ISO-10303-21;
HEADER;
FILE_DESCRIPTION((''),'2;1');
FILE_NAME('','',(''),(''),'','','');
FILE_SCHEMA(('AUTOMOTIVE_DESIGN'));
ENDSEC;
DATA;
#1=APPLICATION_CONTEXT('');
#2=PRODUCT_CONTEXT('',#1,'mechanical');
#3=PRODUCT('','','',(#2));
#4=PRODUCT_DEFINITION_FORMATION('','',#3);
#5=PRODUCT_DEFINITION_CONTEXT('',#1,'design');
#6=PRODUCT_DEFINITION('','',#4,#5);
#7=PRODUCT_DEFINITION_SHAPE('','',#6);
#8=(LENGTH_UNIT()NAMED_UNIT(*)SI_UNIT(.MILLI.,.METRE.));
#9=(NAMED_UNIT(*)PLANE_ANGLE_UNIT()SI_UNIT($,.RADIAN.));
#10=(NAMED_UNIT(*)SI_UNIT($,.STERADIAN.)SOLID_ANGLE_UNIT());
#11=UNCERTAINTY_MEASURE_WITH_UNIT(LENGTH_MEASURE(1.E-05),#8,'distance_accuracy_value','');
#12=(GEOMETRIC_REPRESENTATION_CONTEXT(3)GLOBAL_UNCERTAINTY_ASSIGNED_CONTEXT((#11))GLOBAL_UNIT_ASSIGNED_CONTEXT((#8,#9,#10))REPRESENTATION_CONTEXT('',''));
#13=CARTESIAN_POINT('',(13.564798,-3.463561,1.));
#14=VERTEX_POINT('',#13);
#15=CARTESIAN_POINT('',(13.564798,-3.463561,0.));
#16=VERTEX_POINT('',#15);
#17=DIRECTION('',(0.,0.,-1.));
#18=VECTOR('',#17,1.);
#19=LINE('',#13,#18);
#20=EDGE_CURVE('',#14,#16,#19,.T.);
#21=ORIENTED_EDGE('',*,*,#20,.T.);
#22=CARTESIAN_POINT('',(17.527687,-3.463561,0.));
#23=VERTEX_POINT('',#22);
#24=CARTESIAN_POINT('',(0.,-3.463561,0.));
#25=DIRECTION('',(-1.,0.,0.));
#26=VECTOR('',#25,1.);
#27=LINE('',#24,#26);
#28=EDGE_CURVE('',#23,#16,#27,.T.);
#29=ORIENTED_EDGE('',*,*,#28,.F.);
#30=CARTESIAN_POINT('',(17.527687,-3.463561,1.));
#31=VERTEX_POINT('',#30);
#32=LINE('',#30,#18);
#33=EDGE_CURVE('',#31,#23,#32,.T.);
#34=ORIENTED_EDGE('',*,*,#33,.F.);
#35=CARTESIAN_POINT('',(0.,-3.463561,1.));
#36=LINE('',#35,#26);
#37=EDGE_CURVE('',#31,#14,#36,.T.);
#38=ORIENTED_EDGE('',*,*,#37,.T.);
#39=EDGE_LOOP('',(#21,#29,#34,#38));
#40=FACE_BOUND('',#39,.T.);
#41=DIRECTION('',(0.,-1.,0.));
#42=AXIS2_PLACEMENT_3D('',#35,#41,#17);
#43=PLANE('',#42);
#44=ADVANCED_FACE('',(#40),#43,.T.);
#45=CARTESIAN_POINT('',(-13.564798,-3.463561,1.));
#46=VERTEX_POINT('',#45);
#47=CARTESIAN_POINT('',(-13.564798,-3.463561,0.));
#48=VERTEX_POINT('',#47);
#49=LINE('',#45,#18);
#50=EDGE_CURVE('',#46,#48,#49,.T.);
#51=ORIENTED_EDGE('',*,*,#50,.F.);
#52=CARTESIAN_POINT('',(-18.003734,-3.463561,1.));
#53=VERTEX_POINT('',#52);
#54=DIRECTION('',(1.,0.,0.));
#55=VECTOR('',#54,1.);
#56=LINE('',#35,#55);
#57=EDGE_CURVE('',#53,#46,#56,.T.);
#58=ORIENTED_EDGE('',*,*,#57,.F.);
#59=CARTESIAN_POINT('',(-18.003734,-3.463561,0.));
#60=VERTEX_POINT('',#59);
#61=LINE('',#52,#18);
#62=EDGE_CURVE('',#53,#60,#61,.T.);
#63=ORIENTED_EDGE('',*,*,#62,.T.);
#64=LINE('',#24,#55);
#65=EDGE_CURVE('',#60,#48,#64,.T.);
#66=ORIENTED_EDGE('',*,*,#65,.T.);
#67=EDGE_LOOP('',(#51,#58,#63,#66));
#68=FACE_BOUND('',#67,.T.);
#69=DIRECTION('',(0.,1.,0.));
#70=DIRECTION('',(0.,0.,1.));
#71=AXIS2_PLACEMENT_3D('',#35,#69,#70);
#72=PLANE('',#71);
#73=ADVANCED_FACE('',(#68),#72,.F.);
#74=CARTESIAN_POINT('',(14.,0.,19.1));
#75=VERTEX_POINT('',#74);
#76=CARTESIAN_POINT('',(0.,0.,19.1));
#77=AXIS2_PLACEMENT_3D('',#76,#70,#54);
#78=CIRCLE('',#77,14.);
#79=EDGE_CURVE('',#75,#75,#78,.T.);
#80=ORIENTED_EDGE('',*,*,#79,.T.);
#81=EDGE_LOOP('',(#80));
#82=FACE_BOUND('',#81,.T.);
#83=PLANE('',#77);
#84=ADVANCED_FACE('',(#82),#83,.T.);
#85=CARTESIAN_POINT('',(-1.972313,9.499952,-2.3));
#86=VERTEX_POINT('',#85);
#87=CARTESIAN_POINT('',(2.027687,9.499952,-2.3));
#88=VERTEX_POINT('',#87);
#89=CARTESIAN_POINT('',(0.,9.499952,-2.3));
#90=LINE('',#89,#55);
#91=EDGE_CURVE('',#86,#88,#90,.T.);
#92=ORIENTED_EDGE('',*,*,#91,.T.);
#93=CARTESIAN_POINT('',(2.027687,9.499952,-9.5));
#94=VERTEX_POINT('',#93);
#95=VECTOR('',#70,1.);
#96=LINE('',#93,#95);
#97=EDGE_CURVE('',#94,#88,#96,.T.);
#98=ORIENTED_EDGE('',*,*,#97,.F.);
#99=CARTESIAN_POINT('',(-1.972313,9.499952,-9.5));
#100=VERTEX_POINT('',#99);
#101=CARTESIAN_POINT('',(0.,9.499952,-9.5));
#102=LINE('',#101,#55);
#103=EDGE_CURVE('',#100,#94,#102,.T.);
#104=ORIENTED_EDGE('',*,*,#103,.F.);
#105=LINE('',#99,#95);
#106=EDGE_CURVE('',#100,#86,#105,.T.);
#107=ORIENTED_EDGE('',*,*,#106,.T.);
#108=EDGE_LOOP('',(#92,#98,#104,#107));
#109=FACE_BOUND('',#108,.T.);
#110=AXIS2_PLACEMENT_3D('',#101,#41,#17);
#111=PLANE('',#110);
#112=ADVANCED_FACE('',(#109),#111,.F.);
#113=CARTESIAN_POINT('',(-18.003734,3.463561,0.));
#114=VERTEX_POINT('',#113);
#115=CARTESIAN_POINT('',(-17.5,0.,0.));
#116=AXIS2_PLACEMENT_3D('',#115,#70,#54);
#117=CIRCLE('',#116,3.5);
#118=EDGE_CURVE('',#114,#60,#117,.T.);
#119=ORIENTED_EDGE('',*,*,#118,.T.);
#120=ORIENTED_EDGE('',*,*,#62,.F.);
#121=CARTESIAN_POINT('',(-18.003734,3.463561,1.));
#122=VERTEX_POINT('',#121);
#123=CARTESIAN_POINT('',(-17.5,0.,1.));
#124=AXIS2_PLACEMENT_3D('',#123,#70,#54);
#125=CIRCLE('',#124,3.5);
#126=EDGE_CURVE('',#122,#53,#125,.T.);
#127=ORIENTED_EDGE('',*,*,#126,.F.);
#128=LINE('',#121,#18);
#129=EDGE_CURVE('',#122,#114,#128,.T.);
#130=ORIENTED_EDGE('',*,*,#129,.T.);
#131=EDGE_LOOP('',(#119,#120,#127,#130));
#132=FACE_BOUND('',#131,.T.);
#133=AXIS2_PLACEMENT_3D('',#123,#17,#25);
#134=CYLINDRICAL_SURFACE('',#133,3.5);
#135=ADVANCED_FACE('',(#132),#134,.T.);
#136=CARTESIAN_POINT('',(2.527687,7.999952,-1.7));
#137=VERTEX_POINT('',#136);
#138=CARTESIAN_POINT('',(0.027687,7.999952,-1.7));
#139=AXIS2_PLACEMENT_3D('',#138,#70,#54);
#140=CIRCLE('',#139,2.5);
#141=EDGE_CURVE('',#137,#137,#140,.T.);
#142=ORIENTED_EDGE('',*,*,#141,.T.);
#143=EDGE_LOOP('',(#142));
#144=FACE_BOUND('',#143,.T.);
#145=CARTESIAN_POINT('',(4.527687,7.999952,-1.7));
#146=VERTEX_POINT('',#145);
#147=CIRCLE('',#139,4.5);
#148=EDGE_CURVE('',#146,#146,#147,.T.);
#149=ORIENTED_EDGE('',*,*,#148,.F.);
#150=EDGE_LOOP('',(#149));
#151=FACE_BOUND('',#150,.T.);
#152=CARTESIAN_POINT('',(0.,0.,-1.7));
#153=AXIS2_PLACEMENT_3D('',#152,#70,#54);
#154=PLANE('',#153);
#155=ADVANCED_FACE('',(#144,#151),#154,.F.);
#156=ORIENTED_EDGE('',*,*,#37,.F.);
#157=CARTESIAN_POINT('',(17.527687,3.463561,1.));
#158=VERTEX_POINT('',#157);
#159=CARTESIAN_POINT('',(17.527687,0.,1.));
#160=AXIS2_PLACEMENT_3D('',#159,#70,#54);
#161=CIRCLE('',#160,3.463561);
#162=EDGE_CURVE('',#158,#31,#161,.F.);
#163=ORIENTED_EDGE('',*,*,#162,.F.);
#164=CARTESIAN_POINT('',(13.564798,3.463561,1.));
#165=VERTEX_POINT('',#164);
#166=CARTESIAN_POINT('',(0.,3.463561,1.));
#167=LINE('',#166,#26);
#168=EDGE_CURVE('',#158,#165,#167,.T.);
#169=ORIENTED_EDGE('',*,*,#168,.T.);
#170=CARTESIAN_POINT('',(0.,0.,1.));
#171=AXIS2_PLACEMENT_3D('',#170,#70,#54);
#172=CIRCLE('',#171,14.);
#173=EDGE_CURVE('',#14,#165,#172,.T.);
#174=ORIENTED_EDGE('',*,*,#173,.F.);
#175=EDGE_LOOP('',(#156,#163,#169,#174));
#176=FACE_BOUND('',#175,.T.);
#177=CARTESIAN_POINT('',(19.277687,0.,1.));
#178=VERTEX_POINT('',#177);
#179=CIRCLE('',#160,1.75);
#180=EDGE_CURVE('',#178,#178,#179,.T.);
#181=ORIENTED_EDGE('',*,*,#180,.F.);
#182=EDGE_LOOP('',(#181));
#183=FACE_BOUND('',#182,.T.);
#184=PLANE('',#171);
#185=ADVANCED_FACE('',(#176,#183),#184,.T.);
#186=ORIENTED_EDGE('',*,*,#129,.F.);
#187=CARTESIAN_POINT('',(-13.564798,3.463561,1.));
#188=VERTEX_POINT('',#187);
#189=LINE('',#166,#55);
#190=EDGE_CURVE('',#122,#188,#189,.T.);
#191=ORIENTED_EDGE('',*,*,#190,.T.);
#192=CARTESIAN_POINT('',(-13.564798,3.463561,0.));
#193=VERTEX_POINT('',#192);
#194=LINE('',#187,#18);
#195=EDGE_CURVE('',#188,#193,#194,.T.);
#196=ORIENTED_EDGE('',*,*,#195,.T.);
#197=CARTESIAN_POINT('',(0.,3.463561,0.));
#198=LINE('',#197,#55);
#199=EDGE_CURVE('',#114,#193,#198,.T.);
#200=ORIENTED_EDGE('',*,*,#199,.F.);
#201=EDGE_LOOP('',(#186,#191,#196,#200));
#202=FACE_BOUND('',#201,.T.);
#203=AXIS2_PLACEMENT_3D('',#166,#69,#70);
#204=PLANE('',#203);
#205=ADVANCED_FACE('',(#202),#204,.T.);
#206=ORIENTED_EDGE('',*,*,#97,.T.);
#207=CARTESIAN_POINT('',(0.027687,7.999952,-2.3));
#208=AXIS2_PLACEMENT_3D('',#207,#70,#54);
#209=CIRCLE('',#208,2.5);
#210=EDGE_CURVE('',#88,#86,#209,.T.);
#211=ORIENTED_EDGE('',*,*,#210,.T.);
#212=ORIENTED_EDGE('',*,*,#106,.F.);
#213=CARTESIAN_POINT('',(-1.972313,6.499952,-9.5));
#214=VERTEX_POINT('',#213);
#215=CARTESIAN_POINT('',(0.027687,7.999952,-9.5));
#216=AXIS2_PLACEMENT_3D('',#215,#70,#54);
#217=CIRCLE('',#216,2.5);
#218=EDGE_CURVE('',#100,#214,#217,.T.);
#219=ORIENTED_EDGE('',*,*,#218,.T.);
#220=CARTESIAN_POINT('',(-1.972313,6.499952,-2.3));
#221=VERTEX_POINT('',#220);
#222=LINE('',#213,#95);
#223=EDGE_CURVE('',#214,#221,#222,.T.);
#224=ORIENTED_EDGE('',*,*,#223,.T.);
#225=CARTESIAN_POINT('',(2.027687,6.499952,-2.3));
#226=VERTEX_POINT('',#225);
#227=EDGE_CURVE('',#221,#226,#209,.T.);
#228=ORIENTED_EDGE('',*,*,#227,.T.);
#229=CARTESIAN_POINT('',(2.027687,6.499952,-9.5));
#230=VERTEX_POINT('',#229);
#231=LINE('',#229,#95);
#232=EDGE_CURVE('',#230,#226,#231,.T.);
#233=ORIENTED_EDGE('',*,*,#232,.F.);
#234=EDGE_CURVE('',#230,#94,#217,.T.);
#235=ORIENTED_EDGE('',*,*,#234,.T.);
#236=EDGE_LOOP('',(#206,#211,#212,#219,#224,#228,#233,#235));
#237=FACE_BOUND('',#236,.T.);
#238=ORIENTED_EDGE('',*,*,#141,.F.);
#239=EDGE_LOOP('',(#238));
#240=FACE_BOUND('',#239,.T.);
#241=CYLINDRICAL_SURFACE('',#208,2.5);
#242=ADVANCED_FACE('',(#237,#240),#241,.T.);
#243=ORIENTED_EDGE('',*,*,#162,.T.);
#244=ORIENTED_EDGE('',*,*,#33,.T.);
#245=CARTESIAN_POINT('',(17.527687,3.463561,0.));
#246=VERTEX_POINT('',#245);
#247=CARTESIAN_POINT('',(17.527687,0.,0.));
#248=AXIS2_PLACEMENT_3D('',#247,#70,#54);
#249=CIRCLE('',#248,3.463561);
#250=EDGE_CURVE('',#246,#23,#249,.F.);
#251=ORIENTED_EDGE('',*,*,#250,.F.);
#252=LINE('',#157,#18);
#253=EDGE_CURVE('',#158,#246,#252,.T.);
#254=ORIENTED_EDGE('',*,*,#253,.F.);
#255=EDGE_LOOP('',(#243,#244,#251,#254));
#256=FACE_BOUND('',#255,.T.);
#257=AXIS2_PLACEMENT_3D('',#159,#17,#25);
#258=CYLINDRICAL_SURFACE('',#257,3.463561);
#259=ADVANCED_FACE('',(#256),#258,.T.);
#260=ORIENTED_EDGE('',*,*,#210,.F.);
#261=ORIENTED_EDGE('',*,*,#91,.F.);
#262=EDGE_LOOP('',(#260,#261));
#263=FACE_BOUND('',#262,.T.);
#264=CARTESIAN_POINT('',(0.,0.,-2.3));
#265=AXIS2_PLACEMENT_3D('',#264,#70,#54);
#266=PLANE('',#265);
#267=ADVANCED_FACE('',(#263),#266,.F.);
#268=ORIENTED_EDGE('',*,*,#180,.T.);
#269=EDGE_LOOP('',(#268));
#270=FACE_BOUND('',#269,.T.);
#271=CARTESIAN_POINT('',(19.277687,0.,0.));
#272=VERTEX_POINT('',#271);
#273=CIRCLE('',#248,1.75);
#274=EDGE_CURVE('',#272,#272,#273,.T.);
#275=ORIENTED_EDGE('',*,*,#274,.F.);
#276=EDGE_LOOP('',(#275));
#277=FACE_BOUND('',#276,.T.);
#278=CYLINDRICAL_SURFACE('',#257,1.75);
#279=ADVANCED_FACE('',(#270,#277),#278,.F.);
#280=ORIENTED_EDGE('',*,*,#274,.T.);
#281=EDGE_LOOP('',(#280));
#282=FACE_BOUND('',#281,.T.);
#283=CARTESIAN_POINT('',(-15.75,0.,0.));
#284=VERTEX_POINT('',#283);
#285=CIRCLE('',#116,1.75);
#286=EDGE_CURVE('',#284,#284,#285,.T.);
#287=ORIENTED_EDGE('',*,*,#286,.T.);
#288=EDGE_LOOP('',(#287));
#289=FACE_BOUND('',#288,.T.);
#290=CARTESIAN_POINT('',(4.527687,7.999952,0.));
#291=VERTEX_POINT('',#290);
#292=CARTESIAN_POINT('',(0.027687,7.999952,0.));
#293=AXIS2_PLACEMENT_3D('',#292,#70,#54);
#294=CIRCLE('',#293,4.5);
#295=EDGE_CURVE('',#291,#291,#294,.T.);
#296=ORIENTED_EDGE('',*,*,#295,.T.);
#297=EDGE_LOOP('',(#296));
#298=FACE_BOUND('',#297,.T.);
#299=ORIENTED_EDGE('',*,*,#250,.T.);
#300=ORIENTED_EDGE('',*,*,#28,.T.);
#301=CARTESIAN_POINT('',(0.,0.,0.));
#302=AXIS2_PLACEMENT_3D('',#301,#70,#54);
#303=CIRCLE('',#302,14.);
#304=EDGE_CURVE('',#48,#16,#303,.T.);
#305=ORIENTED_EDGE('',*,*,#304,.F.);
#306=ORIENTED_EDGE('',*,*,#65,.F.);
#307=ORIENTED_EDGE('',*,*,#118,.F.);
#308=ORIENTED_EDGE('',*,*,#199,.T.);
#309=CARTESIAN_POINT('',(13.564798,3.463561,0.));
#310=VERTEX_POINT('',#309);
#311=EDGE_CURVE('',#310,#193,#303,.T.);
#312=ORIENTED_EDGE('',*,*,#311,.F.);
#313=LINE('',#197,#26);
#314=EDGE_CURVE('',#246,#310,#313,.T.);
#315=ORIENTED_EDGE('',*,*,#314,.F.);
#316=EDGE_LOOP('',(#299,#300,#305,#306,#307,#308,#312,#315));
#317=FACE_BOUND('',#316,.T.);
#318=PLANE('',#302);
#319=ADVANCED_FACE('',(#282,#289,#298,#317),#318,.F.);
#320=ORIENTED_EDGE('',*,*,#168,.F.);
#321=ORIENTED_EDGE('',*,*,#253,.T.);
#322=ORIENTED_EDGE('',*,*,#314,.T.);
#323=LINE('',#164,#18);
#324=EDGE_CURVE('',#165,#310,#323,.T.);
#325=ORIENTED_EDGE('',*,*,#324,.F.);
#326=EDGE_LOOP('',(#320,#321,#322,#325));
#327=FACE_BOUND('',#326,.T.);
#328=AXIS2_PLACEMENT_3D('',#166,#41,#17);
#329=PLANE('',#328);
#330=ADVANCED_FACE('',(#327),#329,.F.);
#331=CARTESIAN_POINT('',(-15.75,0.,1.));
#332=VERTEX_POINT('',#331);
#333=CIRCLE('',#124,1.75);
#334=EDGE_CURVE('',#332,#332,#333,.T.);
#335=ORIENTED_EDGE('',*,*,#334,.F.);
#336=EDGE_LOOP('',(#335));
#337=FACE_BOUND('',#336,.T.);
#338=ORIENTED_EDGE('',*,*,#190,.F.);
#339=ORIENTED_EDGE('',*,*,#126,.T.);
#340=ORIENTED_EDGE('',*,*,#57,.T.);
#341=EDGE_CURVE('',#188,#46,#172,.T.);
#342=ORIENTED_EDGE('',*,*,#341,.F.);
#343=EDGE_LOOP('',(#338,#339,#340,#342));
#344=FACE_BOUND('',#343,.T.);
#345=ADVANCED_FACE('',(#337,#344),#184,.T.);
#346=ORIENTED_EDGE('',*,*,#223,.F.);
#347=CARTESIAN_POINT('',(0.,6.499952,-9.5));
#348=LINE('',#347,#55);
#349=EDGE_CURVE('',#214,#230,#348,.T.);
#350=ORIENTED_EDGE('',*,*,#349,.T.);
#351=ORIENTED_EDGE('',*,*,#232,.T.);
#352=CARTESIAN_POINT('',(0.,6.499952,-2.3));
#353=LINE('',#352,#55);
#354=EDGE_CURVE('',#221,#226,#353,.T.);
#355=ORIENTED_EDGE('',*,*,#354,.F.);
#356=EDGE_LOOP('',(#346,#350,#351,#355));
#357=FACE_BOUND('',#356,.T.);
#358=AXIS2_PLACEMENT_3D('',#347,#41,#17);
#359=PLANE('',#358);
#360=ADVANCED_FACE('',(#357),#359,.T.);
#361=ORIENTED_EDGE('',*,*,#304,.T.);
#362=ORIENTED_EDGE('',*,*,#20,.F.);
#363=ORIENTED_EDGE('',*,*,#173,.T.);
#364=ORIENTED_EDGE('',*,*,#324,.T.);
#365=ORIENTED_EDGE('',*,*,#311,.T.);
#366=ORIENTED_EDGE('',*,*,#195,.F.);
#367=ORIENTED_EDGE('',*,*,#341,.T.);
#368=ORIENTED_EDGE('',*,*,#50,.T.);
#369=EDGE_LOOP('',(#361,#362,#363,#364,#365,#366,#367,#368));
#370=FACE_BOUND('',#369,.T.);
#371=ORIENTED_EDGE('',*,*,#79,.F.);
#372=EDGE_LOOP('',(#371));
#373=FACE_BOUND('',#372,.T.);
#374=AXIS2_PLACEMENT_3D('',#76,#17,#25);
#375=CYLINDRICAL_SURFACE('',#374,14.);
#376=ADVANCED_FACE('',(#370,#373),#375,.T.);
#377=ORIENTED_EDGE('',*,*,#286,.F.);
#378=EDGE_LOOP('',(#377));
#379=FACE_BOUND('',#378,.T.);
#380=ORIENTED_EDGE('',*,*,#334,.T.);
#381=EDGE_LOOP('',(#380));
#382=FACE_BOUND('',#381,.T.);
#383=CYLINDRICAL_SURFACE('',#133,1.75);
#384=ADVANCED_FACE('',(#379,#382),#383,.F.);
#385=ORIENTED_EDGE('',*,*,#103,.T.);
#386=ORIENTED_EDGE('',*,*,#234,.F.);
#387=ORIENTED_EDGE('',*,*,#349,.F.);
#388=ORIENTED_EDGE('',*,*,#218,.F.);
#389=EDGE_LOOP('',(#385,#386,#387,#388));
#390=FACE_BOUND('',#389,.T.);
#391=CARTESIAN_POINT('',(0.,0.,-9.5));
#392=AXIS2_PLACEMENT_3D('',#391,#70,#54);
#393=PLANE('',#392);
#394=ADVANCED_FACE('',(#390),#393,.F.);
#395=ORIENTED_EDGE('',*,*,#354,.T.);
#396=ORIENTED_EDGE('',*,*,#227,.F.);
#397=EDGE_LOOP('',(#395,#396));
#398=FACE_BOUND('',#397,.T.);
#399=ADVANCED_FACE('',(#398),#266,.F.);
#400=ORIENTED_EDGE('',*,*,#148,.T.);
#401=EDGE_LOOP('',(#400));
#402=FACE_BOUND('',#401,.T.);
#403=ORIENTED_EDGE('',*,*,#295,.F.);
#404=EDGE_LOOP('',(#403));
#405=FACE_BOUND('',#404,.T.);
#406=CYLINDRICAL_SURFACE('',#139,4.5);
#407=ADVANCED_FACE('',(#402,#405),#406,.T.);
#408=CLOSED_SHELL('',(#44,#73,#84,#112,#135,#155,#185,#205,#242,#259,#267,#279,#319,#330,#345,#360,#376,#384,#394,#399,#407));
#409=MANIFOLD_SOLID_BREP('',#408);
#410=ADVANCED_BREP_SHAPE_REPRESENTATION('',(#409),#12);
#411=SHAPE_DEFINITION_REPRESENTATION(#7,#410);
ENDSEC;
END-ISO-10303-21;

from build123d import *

# Parameters (mm, degrees)
SKETCH1_R           = 14
BOSS_EXTRUDE1_DEPTH = 19.1
SKETCH1_3_R         = 4.5
BOSS_EXTRUDE2_DEPTH = 1.7
BOSS_EXTRUDE4_DEPTH = 2.3
BOSS_EXTRUDE5_DEPTH = 9.5
BOSS_EXTRUDE6_DEPTH = 2.3
SKETCH1_9_R         = 1.75
BOSS_EXTRUDE7_DEPTH = 1


with BuildPart() as part:
    # Sketch1 → Boss-Extrude1 (new body)
    with BuildSketch(Plane.XY):
        Circle(SKETCH1_R)
    extrude(amount=BOSS_EXTRUDE1_DEPTH)

    # Sketch1<3> → Boss-Extrude2 (add)
    with BuildSketch(Plane.XY):
        with Locations((0.027687475, 7.999952088)):
            Circle(SKETCH1_3_R)
        with BuildLine():
            ThreePointArc((-1.972312525, 6.499952088), (-2.472312525, 7.999952088), (-1.972312525, 9.499952088))
            ThreePointArc((-1.972312525, 9.499952088), (0.027687475, 10.499952088), (2.027687475, 9.499952088))
            ThreePointArc((2.027687475, 9.499952088), (2.39939572, 8.790521503), (2.527687475, 7.999952088))
            ThreePointArc((2.527687475, 7.999952088), (2.39939572, 7.209382673), (2.027687475, 6.499952088))
            ThreePointArc((2.027687475, 6.499952088), (0.027687475, 5.499952088), (-1.972312525, 6.499952088))
        make_face(mode=Mode.SUBTRACT)
    extrude(amount=-BOSS_EXTRUDE2_DEPTH)

    # Sketch1<6> → Boss-Extrude4 (add)
    with BuildSketch(Plane.XY):
        with BuildLine():
            Line((-1.972312525, 9.499952088), (0.027687475, 9.499952088))
            Line((0.027687475, 9.499952088), (2.027687475, 9.499952088))
            ThreePointArc((2.027687475, 9.499952088), (0.027687475, 10.499952088), (-1.972312525, 9.499952088))
        make_face()
    extrude(amount=-BOSS_EXTRUDE4_DEPTH)

    # Sketch1<7> → Boss-Extrude5 (add)
    with BuildSketch(Plane.XY):
        with BuildLine():
            Line((2.027687475, 9.499952088), (-1.972312525, 9.499952088))
            ThreePointArc((-1.972312525, 9.499952088), (-2.472312525, 7.999952088), (-1.972312525, 6.499952088))
            Line((-1.972312525, 6.499952088), (2.027687475, 6.499952088))
            ThreePointArc((2.027687475, 6.499952088), (2.527687475, 7.999952088), (2.027687475, 9.499952088))
        make_face()
    extrude(amount=-BOSS_EXTRUDE5_DEPTH)

    # Sketch1<8> → Boss-Extrude6 (add)
    with BuildSketch(Plane.XY):
        with BuildLine():
            Line((2.027687475, 6.499952088), (0.027687475, 6.499952088))
            Line((0.027687475, 6.499952088), (-1.972312525, 6.499952088))
            ThreePointArc((-1.972312525, 6.499952088), (0.027687475, 5.499952088), (2.027687475, 6.499952088))
        make_face()
    extrude(amount=-BOSS_EXTRUDE6_DEPTH)

    # Sketch1<9> → Boss-Extrude7 (add)
    # profile 1 of 2: a face of its own
    with BuildSketch(Plane.XY):
        with BuildLine():
            Line((-13.564798107, 3.46356064), (-18.003733752, 3.46356064))
            ThreePointArc((-18.003733752, 3.46356064), (-21, 0), (-18.003733752, -3.46356064))
            Line((-18.003733752, -3.46356064), (-13.564798107, -3.46356064))
            ThreePointArc((-13.564798107, -3.46356064), (-14, 0), (-13.564798107, 3.46356064))
        make_face()
        with Locations((-17.5, 0)):
            Circle(SKETCH1_9_R, mode=Mode.SUBTRACT)
    # profile 2 of 2: a face of its own
    with BuildSketch(Plane.XY):
        with BuildLine():
            Line((17.527687475, 3.46356064), (13.564798107, 3.46356064))
            ThreePointArc((13.564798107, 3.46356064), (14, 0), (13.564798107, -3.46356064))
            Line((13.564798107, -3.46356064), (17.527687475, -3.46356064))
            ThreePointArc((17.527687475, -3.46356064), (20.991248115, 0), (17.527687475, 3.46356064))
        make_face()
        with Locations((17.527687475, 0)):
            Circle(SKETCH1_9_R, mode=Mode.SUBTRACT)
    extrude(amount=BOSS_EXTRUDE7_DEPTH)


solid = part.part
